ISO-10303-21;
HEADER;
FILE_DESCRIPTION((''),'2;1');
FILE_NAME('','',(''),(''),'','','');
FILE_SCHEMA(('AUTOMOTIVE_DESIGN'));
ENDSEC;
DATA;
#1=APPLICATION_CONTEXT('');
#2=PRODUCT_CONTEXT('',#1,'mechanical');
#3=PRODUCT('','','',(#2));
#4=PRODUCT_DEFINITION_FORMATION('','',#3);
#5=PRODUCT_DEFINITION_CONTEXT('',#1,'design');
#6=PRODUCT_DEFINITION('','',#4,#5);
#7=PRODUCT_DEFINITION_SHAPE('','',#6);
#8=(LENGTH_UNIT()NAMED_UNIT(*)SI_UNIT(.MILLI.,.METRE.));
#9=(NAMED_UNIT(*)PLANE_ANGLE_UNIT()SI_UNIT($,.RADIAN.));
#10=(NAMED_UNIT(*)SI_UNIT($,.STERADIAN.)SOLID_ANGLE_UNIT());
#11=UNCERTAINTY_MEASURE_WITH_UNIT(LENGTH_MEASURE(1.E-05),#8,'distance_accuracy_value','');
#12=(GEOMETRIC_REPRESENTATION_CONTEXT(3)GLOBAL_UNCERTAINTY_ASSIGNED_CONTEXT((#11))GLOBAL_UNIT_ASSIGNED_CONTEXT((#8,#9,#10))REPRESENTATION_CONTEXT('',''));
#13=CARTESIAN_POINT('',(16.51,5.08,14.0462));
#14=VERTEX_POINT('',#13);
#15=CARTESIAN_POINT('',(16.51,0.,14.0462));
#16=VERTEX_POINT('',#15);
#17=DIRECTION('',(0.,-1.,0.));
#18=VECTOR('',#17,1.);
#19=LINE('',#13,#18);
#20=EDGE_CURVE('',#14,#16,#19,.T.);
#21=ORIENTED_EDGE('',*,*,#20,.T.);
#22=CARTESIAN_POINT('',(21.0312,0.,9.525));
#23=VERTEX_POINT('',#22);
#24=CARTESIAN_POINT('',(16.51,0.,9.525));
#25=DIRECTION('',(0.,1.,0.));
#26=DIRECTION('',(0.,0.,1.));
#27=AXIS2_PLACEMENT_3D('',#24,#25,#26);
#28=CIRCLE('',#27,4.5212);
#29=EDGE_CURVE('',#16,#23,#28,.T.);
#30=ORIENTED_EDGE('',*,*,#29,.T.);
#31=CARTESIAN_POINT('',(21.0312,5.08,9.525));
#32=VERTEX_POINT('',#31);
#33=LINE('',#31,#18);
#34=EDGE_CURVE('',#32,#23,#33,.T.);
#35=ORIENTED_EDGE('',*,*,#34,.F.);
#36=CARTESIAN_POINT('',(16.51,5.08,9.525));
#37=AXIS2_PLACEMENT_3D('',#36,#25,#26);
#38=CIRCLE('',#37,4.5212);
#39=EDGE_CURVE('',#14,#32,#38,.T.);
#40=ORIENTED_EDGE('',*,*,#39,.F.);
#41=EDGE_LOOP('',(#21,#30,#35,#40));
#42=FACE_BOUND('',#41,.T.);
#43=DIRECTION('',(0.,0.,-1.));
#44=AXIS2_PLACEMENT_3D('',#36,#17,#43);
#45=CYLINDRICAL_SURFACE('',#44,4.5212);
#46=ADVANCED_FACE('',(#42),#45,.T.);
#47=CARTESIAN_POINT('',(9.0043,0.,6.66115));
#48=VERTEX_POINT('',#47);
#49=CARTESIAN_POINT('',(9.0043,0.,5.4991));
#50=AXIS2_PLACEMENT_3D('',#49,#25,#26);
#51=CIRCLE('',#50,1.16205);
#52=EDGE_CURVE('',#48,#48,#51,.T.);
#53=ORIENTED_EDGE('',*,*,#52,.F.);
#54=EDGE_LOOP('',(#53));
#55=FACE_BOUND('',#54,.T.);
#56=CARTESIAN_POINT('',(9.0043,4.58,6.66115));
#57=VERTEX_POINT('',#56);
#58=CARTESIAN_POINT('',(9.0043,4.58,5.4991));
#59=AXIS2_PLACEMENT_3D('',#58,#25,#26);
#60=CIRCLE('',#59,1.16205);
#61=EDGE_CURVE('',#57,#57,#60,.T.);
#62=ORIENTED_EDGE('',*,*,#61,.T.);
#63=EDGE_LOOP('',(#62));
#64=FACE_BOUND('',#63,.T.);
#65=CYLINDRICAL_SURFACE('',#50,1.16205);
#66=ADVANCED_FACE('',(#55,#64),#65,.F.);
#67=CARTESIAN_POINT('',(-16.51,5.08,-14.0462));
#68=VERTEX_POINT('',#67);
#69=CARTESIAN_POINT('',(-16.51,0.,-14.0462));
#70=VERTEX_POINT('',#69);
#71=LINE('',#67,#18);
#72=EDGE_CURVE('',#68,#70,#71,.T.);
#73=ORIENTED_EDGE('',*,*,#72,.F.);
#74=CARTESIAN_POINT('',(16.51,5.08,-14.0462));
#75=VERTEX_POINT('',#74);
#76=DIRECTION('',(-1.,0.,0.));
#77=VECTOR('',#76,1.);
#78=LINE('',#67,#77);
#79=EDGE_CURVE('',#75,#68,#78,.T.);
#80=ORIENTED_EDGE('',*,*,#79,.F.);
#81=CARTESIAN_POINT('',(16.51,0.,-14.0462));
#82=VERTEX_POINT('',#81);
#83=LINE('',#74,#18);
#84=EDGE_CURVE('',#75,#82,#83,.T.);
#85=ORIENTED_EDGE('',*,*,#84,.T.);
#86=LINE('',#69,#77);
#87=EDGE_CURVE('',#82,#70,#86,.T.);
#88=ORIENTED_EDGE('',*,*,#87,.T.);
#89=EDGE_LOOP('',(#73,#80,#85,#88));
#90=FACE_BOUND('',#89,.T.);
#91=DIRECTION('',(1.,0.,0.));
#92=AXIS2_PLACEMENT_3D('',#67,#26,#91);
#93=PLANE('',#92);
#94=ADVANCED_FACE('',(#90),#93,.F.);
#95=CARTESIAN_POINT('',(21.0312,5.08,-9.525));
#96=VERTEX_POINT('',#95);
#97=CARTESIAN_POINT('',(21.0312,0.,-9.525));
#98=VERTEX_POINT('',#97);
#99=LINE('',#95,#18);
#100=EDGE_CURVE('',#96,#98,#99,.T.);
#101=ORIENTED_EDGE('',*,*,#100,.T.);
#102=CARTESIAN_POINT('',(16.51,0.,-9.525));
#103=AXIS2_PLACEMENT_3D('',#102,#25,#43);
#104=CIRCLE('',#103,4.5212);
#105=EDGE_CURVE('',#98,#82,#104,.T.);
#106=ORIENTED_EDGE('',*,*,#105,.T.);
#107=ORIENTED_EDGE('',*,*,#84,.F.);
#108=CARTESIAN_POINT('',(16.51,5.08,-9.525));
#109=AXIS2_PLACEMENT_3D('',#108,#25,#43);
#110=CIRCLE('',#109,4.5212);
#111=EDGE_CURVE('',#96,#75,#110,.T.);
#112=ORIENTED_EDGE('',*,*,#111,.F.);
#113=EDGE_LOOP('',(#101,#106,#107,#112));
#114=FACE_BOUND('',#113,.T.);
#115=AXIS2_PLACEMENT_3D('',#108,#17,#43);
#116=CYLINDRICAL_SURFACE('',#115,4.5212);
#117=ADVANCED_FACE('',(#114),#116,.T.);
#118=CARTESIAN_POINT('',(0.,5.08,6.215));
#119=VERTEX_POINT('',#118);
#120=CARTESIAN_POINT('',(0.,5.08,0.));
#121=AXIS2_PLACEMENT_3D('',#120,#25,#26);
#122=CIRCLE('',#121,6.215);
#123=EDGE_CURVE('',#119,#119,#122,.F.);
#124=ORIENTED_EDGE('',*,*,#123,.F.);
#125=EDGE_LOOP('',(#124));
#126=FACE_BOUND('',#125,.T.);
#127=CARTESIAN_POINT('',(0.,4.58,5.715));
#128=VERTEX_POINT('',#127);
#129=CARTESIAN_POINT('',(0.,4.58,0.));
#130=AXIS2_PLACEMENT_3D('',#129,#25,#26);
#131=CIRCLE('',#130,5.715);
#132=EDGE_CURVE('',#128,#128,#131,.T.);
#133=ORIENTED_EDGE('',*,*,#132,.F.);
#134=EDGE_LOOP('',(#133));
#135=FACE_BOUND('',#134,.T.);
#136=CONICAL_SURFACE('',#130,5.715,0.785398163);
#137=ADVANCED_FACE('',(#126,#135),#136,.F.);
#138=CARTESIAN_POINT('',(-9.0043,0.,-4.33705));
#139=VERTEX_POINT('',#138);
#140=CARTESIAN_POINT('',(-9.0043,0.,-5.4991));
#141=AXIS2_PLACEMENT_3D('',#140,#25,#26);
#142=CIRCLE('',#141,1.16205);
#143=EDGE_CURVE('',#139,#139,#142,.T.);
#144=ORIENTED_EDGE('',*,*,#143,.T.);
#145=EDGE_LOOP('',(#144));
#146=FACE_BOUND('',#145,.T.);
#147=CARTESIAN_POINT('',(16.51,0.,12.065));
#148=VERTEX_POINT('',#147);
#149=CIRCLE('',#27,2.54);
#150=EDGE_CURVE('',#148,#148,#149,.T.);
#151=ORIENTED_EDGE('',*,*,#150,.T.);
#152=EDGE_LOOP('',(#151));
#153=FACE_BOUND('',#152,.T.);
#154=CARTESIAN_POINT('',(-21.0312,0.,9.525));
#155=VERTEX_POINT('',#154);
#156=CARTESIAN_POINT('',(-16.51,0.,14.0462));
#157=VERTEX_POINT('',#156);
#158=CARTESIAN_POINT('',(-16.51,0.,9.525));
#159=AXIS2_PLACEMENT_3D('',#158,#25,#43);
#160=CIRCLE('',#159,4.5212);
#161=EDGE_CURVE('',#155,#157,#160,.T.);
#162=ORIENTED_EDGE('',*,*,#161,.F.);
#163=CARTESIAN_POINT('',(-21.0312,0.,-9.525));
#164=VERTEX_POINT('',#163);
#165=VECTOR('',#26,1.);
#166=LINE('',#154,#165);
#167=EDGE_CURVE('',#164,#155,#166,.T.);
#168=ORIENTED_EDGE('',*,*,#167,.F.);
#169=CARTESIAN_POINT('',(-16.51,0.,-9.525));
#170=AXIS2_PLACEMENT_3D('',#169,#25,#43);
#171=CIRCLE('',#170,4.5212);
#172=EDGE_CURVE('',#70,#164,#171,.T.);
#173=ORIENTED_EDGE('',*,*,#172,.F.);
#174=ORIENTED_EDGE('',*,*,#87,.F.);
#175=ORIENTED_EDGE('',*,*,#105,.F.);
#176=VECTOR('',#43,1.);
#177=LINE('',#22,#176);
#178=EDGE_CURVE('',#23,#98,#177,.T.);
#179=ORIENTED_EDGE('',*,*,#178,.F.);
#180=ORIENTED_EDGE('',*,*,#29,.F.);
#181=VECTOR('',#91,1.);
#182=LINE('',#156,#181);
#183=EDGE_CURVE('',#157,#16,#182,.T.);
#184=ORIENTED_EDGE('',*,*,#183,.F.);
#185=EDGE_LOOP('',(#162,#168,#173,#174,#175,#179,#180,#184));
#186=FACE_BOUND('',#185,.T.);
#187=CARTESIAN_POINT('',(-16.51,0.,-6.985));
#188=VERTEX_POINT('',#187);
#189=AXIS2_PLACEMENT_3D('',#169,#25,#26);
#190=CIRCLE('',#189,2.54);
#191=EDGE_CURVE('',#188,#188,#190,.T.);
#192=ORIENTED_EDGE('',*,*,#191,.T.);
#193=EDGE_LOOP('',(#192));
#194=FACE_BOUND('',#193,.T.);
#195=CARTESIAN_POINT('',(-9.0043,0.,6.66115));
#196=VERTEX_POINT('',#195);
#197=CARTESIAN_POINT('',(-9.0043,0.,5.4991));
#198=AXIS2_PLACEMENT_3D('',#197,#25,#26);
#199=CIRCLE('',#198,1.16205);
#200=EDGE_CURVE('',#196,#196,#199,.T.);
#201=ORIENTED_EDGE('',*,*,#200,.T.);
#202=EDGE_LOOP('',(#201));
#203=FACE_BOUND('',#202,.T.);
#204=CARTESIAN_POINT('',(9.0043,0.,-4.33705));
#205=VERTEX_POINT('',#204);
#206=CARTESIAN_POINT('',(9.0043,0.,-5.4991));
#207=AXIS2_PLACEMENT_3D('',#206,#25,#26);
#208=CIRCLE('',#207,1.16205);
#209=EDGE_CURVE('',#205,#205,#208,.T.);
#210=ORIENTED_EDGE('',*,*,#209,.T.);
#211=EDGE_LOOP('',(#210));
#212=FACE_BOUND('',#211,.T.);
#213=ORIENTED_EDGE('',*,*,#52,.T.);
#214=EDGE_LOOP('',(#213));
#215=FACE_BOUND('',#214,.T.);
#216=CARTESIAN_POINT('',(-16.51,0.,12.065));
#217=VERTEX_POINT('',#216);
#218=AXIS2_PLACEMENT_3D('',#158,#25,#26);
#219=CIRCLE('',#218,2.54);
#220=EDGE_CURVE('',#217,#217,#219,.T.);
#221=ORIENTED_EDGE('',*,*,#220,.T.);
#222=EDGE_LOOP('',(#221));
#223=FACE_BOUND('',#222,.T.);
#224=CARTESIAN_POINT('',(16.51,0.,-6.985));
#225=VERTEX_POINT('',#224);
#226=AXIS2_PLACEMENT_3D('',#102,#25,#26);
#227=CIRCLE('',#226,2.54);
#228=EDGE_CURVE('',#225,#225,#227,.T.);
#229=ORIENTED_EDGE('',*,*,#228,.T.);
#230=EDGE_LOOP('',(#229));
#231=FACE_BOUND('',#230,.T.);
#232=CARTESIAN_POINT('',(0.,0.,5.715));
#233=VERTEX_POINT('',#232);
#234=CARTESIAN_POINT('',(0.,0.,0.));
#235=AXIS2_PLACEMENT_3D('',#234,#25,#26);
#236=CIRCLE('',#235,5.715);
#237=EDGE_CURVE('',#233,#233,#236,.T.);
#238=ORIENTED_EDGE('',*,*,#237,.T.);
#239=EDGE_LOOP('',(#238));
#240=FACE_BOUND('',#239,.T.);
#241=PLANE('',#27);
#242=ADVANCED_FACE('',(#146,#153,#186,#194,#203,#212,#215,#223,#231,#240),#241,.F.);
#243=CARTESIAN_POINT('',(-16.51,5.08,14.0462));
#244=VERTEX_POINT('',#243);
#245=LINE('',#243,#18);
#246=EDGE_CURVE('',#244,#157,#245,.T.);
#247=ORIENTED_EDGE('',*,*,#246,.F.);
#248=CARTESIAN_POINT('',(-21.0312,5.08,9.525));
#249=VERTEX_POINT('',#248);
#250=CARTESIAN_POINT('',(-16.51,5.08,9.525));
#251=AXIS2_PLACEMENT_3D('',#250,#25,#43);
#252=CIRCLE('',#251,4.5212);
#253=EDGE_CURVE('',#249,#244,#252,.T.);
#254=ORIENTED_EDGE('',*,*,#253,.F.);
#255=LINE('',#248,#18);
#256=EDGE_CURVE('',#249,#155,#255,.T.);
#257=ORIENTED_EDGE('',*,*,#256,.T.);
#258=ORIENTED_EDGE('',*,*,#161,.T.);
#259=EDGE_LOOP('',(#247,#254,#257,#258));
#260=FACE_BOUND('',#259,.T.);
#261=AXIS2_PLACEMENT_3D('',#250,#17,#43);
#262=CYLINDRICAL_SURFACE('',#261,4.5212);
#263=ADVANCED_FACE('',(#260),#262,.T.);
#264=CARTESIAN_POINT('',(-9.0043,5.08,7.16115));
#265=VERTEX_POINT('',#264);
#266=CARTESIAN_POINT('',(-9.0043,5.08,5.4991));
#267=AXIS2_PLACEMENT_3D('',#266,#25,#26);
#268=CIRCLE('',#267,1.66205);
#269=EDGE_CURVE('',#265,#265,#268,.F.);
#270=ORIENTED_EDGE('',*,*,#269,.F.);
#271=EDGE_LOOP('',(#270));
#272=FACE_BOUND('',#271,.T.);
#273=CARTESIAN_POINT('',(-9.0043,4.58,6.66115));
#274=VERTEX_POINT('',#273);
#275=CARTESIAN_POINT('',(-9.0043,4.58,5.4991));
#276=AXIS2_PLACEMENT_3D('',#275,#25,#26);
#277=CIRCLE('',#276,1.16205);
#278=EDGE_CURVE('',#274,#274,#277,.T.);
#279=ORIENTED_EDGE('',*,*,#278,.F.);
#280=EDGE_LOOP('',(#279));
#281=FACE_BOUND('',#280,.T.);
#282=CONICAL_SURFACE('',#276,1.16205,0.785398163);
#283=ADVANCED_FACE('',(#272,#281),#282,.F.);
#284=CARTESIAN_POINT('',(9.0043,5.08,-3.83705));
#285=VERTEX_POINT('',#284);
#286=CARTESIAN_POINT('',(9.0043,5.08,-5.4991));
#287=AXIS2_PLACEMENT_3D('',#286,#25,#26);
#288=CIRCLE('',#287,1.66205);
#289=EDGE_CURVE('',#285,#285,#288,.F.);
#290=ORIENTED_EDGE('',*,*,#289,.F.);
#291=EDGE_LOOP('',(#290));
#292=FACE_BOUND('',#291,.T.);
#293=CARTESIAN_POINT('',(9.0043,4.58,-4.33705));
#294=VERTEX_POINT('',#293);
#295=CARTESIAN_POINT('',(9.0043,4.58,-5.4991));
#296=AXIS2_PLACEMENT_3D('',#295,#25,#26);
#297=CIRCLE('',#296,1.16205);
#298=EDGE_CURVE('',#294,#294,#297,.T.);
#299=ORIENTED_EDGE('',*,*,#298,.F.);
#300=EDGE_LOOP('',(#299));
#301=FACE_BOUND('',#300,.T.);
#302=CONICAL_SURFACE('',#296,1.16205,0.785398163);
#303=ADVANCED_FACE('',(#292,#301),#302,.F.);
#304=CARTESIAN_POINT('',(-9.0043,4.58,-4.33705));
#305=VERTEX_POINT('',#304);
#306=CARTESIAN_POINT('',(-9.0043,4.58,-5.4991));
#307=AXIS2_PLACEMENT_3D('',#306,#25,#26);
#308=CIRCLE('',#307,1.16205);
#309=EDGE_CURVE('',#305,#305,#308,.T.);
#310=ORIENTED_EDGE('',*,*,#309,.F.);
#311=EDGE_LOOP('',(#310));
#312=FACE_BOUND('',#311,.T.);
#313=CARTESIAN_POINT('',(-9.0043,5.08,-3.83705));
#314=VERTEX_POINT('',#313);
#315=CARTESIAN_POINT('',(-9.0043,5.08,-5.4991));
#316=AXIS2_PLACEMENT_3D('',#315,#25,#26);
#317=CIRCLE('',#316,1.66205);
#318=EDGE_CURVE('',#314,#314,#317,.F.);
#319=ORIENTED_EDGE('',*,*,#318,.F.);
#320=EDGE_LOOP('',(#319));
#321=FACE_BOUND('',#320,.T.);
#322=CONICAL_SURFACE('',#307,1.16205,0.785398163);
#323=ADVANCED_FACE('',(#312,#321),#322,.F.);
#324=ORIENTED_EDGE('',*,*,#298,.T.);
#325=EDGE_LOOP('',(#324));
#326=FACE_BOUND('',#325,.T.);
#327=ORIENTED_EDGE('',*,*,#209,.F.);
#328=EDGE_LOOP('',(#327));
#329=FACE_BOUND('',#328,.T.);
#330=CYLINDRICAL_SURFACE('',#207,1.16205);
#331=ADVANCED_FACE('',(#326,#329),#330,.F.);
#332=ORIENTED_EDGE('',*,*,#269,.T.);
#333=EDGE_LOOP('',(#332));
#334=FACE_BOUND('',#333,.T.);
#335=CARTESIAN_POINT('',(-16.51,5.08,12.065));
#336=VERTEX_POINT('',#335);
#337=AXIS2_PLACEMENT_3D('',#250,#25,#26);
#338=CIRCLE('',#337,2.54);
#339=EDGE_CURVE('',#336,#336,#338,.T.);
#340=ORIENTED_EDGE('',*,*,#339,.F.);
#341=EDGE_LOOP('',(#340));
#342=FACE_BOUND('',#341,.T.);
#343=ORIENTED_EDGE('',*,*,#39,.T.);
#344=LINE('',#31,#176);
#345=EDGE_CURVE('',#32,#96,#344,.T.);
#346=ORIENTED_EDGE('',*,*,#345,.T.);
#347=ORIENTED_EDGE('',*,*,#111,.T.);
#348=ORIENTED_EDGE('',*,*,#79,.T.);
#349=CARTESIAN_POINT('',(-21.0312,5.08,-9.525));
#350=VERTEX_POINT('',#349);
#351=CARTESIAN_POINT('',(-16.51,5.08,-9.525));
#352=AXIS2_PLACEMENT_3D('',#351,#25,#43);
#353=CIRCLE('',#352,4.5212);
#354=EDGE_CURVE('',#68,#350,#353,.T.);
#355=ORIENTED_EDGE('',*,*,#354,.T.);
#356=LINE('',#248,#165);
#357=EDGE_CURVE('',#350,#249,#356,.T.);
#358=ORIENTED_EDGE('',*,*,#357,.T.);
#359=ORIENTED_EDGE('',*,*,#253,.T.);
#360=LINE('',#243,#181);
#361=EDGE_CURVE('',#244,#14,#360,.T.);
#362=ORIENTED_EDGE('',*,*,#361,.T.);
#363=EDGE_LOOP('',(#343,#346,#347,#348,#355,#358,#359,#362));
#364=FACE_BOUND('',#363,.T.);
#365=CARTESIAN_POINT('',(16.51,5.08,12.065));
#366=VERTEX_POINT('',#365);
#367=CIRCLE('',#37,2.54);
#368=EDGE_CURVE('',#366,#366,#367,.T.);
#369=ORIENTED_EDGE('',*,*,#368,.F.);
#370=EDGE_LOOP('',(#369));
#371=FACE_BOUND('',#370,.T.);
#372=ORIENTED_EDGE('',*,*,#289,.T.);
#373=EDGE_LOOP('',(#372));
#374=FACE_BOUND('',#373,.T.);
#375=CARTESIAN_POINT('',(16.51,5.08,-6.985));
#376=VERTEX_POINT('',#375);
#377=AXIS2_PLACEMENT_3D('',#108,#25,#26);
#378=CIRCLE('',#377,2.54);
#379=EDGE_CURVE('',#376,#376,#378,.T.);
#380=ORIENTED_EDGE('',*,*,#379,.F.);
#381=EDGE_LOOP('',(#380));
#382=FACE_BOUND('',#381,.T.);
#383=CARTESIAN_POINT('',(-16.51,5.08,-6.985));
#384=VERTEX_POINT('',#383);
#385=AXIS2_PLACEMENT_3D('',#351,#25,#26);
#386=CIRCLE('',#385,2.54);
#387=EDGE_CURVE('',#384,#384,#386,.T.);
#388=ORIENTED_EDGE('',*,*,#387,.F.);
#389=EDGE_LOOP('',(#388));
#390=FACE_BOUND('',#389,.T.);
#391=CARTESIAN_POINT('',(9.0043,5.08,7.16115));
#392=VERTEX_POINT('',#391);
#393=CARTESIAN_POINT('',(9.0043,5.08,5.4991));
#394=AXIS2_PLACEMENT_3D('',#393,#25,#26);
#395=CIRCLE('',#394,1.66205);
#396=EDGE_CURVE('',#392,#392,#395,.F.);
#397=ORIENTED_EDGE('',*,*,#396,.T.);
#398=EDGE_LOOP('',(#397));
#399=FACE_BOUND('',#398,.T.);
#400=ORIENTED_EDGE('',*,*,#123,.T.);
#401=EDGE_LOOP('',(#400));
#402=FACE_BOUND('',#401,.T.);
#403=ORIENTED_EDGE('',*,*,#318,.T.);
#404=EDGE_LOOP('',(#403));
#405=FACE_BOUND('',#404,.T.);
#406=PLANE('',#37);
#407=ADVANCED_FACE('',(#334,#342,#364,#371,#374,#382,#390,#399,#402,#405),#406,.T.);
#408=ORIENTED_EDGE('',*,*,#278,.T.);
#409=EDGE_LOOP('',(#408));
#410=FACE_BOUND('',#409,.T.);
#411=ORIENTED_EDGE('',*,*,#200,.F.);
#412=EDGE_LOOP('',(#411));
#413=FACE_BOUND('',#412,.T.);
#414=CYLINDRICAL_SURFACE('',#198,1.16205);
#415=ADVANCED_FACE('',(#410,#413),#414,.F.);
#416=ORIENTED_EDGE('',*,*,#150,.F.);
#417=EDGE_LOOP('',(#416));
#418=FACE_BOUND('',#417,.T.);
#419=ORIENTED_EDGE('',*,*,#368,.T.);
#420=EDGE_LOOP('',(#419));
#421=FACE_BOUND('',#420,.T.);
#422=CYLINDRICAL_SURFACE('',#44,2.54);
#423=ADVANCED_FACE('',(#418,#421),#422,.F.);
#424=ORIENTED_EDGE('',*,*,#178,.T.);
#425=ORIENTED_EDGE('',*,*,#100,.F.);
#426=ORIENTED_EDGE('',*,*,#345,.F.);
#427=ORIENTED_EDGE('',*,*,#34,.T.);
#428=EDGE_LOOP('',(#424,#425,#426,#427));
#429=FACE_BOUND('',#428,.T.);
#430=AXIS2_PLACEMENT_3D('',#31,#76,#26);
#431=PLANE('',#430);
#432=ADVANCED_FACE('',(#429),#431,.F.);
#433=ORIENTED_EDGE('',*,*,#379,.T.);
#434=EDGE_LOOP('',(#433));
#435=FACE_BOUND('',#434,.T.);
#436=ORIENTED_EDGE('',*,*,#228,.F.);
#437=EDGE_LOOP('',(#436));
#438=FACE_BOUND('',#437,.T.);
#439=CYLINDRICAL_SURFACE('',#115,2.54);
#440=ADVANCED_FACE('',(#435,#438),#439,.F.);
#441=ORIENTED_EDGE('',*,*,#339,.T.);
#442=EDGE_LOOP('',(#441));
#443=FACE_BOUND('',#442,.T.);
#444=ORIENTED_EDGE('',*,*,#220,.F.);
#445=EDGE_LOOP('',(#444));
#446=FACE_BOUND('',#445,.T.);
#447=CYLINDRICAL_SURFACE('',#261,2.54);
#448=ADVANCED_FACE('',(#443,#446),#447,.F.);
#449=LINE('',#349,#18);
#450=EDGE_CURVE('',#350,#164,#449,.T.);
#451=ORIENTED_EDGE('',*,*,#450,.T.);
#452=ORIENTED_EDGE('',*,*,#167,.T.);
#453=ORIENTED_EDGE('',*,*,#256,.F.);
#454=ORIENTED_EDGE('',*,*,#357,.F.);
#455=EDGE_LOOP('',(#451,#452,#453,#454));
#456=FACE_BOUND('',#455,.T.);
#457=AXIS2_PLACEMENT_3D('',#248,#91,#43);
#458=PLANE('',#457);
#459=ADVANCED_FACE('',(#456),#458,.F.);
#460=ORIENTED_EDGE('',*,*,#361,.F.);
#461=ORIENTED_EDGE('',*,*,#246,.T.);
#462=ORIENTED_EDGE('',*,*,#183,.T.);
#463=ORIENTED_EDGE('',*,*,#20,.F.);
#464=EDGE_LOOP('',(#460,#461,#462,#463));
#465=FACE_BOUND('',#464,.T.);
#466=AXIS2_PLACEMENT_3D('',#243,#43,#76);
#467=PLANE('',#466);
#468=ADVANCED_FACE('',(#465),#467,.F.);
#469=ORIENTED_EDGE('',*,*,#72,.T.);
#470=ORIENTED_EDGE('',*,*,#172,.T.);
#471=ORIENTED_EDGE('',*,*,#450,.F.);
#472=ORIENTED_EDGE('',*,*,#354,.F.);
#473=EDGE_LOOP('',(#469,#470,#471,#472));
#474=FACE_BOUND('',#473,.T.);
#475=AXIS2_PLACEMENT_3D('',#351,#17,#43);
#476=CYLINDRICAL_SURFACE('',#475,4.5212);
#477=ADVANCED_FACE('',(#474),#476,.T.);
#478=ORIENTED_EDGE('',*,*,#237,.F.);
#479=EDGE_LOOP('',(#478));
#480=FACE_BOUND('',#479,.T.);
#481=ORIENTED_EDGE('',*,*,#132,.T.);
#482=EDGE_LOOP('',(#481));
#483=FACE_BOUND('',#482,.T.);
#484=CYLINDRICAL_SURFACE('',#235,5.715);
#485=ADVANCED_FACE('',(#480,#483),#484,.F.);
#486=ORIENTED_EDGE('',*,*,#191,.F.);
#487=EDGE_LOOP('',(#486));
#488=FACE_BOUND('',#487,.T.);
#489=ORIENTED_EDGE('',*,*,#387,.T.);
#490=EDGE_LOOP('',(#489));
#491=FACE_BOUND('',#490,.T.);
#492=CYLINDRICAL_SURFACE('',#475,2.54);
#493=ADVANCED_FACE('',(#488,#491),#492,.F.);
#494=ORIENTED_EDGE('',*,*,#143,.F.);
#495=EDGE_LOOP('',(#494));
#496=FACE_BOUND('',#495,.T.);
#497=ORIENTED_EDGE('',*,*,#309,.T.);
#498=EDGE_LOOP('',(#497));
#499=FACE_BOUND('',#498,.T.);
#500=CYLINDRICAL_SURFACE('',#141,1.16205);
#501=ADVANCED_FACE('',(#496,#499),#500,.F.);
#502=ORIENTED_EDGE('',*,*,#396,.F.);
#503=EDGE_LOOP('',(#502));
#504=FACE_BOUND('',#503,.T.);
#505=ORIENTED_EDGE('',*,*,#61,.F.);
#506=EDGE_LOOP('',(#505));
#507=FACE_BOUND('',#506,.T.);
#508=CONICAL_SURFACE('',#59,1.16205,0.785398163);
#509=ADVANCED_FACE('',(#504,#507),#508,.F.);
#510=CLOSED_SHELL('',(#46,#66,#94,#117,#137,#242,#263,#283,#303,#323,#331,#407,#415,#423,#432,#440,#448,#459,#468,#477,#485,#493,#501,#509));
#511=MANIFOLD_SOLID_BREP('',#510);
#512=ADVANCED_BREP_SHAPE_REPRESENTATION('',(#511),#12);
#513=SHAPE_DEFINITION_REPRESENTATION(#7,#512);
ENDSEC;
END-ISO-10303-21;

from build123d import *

# Parameters (mm, degrees)
SKETCH1_R           = 2.54
BOSS_EXTRUDE1_DEPTH = 5.08
SKETCH3_R           = 1.16205
SKETCH3_R_2         = 5.715
CUT_EXTRUDE4_DEPTH  = 6.08
CHAMFER1_SIZE       = 0.5


with BuildPart() as part:
    # Sketch1 → Boss-Extrude1 (new body)
    with BuildSketch(Plane(origin=(0, 0, 0), x_dir=(1, 0, 0), z_dir=(0, 1, 0))):
        with BuildLine():
            Line((-16.51, -14.0462), (16.51, -14.0462))
            ThreePointArc((16.51, -14.0462), (19.706971179, -12.721971179), (21.0312, -9.525))
            Line((21.0312, -9.525), (21.0312, 9.525))
            ThreePointArc((21.0312, 9.525), (19.706971179, 12.721971179), (16.51, 14.0462))
            Line((16.51, 14.0462), (-16.51, 14.0462))
            ThreePointArc((-16.51, 14.0462), (-19.706971179, 12.721971179), (-21.0312, 9.525))
            Line((-21.0312, 9.525), (-21.0312, -9.525))
            ThreePointArc((-21.0312, -9.525), (-19.706971179, -12.721971179), (-16.51, -14.0462))
        make_face()
        with Locations((-16.51, 9.525)):
            Circle(SKETCH1_R, mode=Mode.SUBTRACT)
        with Locations((-16.51, -9.525)):
            Circle(SKETCH1_R, mode=Mode.SUBTRACT)
        with Locations((16.51, -9.525)):
            Circle(SKETCH1_R, mode=Mode.SUBTRACT)
        with Locations((16.51, 9.525)):
            Circle(SKETCH1_R, mode=Mode.SUBTRACT)
    extrude(amount=BOSS_EXTRUDE1_DEPTH)

    # Sketch3 → Cut-Extrude4 (cut, through all)
    with BuildSketch(Plane(origin=(0, 5.08, 0), x_dir=(1, 0, 0), z_dir=(0, 1, 0))):
        with Locations((-9.0043, 5.4991)):
            Circle(SKETCH3_R)
        with Locations((9.0043, 5.4991)):
            Circle(SKETCH3_R)
        with Locations((9.0043, -5.4991)):
            Circle(SKETCH3_R)
        with Locations((-9.0043, -5.4991)):
            Circle(SKETCH3_R)
        Circle(SKETCH3_R_2)
    extrude(amount=-CUT_EXTRUDE4_DEPTH, mode=Mode.SUBTRACT)

    # Chamfer1
    chamfer1_edges = [part.edges().sort_by_distance(p)[0] for p in [
        (-5.715, 5.08, 0),
        (-10.16635, 5.08, 5.4991),
        (7.84225, 5.08, 5.4991),
        (7.84225, 5.08, -5.4991),
        (-10.16635, 5.08, -5.4991),
    ]]
    chamfer(chamfer1_edges, length=CHAMFER1_SIZE)


solid = part.part
